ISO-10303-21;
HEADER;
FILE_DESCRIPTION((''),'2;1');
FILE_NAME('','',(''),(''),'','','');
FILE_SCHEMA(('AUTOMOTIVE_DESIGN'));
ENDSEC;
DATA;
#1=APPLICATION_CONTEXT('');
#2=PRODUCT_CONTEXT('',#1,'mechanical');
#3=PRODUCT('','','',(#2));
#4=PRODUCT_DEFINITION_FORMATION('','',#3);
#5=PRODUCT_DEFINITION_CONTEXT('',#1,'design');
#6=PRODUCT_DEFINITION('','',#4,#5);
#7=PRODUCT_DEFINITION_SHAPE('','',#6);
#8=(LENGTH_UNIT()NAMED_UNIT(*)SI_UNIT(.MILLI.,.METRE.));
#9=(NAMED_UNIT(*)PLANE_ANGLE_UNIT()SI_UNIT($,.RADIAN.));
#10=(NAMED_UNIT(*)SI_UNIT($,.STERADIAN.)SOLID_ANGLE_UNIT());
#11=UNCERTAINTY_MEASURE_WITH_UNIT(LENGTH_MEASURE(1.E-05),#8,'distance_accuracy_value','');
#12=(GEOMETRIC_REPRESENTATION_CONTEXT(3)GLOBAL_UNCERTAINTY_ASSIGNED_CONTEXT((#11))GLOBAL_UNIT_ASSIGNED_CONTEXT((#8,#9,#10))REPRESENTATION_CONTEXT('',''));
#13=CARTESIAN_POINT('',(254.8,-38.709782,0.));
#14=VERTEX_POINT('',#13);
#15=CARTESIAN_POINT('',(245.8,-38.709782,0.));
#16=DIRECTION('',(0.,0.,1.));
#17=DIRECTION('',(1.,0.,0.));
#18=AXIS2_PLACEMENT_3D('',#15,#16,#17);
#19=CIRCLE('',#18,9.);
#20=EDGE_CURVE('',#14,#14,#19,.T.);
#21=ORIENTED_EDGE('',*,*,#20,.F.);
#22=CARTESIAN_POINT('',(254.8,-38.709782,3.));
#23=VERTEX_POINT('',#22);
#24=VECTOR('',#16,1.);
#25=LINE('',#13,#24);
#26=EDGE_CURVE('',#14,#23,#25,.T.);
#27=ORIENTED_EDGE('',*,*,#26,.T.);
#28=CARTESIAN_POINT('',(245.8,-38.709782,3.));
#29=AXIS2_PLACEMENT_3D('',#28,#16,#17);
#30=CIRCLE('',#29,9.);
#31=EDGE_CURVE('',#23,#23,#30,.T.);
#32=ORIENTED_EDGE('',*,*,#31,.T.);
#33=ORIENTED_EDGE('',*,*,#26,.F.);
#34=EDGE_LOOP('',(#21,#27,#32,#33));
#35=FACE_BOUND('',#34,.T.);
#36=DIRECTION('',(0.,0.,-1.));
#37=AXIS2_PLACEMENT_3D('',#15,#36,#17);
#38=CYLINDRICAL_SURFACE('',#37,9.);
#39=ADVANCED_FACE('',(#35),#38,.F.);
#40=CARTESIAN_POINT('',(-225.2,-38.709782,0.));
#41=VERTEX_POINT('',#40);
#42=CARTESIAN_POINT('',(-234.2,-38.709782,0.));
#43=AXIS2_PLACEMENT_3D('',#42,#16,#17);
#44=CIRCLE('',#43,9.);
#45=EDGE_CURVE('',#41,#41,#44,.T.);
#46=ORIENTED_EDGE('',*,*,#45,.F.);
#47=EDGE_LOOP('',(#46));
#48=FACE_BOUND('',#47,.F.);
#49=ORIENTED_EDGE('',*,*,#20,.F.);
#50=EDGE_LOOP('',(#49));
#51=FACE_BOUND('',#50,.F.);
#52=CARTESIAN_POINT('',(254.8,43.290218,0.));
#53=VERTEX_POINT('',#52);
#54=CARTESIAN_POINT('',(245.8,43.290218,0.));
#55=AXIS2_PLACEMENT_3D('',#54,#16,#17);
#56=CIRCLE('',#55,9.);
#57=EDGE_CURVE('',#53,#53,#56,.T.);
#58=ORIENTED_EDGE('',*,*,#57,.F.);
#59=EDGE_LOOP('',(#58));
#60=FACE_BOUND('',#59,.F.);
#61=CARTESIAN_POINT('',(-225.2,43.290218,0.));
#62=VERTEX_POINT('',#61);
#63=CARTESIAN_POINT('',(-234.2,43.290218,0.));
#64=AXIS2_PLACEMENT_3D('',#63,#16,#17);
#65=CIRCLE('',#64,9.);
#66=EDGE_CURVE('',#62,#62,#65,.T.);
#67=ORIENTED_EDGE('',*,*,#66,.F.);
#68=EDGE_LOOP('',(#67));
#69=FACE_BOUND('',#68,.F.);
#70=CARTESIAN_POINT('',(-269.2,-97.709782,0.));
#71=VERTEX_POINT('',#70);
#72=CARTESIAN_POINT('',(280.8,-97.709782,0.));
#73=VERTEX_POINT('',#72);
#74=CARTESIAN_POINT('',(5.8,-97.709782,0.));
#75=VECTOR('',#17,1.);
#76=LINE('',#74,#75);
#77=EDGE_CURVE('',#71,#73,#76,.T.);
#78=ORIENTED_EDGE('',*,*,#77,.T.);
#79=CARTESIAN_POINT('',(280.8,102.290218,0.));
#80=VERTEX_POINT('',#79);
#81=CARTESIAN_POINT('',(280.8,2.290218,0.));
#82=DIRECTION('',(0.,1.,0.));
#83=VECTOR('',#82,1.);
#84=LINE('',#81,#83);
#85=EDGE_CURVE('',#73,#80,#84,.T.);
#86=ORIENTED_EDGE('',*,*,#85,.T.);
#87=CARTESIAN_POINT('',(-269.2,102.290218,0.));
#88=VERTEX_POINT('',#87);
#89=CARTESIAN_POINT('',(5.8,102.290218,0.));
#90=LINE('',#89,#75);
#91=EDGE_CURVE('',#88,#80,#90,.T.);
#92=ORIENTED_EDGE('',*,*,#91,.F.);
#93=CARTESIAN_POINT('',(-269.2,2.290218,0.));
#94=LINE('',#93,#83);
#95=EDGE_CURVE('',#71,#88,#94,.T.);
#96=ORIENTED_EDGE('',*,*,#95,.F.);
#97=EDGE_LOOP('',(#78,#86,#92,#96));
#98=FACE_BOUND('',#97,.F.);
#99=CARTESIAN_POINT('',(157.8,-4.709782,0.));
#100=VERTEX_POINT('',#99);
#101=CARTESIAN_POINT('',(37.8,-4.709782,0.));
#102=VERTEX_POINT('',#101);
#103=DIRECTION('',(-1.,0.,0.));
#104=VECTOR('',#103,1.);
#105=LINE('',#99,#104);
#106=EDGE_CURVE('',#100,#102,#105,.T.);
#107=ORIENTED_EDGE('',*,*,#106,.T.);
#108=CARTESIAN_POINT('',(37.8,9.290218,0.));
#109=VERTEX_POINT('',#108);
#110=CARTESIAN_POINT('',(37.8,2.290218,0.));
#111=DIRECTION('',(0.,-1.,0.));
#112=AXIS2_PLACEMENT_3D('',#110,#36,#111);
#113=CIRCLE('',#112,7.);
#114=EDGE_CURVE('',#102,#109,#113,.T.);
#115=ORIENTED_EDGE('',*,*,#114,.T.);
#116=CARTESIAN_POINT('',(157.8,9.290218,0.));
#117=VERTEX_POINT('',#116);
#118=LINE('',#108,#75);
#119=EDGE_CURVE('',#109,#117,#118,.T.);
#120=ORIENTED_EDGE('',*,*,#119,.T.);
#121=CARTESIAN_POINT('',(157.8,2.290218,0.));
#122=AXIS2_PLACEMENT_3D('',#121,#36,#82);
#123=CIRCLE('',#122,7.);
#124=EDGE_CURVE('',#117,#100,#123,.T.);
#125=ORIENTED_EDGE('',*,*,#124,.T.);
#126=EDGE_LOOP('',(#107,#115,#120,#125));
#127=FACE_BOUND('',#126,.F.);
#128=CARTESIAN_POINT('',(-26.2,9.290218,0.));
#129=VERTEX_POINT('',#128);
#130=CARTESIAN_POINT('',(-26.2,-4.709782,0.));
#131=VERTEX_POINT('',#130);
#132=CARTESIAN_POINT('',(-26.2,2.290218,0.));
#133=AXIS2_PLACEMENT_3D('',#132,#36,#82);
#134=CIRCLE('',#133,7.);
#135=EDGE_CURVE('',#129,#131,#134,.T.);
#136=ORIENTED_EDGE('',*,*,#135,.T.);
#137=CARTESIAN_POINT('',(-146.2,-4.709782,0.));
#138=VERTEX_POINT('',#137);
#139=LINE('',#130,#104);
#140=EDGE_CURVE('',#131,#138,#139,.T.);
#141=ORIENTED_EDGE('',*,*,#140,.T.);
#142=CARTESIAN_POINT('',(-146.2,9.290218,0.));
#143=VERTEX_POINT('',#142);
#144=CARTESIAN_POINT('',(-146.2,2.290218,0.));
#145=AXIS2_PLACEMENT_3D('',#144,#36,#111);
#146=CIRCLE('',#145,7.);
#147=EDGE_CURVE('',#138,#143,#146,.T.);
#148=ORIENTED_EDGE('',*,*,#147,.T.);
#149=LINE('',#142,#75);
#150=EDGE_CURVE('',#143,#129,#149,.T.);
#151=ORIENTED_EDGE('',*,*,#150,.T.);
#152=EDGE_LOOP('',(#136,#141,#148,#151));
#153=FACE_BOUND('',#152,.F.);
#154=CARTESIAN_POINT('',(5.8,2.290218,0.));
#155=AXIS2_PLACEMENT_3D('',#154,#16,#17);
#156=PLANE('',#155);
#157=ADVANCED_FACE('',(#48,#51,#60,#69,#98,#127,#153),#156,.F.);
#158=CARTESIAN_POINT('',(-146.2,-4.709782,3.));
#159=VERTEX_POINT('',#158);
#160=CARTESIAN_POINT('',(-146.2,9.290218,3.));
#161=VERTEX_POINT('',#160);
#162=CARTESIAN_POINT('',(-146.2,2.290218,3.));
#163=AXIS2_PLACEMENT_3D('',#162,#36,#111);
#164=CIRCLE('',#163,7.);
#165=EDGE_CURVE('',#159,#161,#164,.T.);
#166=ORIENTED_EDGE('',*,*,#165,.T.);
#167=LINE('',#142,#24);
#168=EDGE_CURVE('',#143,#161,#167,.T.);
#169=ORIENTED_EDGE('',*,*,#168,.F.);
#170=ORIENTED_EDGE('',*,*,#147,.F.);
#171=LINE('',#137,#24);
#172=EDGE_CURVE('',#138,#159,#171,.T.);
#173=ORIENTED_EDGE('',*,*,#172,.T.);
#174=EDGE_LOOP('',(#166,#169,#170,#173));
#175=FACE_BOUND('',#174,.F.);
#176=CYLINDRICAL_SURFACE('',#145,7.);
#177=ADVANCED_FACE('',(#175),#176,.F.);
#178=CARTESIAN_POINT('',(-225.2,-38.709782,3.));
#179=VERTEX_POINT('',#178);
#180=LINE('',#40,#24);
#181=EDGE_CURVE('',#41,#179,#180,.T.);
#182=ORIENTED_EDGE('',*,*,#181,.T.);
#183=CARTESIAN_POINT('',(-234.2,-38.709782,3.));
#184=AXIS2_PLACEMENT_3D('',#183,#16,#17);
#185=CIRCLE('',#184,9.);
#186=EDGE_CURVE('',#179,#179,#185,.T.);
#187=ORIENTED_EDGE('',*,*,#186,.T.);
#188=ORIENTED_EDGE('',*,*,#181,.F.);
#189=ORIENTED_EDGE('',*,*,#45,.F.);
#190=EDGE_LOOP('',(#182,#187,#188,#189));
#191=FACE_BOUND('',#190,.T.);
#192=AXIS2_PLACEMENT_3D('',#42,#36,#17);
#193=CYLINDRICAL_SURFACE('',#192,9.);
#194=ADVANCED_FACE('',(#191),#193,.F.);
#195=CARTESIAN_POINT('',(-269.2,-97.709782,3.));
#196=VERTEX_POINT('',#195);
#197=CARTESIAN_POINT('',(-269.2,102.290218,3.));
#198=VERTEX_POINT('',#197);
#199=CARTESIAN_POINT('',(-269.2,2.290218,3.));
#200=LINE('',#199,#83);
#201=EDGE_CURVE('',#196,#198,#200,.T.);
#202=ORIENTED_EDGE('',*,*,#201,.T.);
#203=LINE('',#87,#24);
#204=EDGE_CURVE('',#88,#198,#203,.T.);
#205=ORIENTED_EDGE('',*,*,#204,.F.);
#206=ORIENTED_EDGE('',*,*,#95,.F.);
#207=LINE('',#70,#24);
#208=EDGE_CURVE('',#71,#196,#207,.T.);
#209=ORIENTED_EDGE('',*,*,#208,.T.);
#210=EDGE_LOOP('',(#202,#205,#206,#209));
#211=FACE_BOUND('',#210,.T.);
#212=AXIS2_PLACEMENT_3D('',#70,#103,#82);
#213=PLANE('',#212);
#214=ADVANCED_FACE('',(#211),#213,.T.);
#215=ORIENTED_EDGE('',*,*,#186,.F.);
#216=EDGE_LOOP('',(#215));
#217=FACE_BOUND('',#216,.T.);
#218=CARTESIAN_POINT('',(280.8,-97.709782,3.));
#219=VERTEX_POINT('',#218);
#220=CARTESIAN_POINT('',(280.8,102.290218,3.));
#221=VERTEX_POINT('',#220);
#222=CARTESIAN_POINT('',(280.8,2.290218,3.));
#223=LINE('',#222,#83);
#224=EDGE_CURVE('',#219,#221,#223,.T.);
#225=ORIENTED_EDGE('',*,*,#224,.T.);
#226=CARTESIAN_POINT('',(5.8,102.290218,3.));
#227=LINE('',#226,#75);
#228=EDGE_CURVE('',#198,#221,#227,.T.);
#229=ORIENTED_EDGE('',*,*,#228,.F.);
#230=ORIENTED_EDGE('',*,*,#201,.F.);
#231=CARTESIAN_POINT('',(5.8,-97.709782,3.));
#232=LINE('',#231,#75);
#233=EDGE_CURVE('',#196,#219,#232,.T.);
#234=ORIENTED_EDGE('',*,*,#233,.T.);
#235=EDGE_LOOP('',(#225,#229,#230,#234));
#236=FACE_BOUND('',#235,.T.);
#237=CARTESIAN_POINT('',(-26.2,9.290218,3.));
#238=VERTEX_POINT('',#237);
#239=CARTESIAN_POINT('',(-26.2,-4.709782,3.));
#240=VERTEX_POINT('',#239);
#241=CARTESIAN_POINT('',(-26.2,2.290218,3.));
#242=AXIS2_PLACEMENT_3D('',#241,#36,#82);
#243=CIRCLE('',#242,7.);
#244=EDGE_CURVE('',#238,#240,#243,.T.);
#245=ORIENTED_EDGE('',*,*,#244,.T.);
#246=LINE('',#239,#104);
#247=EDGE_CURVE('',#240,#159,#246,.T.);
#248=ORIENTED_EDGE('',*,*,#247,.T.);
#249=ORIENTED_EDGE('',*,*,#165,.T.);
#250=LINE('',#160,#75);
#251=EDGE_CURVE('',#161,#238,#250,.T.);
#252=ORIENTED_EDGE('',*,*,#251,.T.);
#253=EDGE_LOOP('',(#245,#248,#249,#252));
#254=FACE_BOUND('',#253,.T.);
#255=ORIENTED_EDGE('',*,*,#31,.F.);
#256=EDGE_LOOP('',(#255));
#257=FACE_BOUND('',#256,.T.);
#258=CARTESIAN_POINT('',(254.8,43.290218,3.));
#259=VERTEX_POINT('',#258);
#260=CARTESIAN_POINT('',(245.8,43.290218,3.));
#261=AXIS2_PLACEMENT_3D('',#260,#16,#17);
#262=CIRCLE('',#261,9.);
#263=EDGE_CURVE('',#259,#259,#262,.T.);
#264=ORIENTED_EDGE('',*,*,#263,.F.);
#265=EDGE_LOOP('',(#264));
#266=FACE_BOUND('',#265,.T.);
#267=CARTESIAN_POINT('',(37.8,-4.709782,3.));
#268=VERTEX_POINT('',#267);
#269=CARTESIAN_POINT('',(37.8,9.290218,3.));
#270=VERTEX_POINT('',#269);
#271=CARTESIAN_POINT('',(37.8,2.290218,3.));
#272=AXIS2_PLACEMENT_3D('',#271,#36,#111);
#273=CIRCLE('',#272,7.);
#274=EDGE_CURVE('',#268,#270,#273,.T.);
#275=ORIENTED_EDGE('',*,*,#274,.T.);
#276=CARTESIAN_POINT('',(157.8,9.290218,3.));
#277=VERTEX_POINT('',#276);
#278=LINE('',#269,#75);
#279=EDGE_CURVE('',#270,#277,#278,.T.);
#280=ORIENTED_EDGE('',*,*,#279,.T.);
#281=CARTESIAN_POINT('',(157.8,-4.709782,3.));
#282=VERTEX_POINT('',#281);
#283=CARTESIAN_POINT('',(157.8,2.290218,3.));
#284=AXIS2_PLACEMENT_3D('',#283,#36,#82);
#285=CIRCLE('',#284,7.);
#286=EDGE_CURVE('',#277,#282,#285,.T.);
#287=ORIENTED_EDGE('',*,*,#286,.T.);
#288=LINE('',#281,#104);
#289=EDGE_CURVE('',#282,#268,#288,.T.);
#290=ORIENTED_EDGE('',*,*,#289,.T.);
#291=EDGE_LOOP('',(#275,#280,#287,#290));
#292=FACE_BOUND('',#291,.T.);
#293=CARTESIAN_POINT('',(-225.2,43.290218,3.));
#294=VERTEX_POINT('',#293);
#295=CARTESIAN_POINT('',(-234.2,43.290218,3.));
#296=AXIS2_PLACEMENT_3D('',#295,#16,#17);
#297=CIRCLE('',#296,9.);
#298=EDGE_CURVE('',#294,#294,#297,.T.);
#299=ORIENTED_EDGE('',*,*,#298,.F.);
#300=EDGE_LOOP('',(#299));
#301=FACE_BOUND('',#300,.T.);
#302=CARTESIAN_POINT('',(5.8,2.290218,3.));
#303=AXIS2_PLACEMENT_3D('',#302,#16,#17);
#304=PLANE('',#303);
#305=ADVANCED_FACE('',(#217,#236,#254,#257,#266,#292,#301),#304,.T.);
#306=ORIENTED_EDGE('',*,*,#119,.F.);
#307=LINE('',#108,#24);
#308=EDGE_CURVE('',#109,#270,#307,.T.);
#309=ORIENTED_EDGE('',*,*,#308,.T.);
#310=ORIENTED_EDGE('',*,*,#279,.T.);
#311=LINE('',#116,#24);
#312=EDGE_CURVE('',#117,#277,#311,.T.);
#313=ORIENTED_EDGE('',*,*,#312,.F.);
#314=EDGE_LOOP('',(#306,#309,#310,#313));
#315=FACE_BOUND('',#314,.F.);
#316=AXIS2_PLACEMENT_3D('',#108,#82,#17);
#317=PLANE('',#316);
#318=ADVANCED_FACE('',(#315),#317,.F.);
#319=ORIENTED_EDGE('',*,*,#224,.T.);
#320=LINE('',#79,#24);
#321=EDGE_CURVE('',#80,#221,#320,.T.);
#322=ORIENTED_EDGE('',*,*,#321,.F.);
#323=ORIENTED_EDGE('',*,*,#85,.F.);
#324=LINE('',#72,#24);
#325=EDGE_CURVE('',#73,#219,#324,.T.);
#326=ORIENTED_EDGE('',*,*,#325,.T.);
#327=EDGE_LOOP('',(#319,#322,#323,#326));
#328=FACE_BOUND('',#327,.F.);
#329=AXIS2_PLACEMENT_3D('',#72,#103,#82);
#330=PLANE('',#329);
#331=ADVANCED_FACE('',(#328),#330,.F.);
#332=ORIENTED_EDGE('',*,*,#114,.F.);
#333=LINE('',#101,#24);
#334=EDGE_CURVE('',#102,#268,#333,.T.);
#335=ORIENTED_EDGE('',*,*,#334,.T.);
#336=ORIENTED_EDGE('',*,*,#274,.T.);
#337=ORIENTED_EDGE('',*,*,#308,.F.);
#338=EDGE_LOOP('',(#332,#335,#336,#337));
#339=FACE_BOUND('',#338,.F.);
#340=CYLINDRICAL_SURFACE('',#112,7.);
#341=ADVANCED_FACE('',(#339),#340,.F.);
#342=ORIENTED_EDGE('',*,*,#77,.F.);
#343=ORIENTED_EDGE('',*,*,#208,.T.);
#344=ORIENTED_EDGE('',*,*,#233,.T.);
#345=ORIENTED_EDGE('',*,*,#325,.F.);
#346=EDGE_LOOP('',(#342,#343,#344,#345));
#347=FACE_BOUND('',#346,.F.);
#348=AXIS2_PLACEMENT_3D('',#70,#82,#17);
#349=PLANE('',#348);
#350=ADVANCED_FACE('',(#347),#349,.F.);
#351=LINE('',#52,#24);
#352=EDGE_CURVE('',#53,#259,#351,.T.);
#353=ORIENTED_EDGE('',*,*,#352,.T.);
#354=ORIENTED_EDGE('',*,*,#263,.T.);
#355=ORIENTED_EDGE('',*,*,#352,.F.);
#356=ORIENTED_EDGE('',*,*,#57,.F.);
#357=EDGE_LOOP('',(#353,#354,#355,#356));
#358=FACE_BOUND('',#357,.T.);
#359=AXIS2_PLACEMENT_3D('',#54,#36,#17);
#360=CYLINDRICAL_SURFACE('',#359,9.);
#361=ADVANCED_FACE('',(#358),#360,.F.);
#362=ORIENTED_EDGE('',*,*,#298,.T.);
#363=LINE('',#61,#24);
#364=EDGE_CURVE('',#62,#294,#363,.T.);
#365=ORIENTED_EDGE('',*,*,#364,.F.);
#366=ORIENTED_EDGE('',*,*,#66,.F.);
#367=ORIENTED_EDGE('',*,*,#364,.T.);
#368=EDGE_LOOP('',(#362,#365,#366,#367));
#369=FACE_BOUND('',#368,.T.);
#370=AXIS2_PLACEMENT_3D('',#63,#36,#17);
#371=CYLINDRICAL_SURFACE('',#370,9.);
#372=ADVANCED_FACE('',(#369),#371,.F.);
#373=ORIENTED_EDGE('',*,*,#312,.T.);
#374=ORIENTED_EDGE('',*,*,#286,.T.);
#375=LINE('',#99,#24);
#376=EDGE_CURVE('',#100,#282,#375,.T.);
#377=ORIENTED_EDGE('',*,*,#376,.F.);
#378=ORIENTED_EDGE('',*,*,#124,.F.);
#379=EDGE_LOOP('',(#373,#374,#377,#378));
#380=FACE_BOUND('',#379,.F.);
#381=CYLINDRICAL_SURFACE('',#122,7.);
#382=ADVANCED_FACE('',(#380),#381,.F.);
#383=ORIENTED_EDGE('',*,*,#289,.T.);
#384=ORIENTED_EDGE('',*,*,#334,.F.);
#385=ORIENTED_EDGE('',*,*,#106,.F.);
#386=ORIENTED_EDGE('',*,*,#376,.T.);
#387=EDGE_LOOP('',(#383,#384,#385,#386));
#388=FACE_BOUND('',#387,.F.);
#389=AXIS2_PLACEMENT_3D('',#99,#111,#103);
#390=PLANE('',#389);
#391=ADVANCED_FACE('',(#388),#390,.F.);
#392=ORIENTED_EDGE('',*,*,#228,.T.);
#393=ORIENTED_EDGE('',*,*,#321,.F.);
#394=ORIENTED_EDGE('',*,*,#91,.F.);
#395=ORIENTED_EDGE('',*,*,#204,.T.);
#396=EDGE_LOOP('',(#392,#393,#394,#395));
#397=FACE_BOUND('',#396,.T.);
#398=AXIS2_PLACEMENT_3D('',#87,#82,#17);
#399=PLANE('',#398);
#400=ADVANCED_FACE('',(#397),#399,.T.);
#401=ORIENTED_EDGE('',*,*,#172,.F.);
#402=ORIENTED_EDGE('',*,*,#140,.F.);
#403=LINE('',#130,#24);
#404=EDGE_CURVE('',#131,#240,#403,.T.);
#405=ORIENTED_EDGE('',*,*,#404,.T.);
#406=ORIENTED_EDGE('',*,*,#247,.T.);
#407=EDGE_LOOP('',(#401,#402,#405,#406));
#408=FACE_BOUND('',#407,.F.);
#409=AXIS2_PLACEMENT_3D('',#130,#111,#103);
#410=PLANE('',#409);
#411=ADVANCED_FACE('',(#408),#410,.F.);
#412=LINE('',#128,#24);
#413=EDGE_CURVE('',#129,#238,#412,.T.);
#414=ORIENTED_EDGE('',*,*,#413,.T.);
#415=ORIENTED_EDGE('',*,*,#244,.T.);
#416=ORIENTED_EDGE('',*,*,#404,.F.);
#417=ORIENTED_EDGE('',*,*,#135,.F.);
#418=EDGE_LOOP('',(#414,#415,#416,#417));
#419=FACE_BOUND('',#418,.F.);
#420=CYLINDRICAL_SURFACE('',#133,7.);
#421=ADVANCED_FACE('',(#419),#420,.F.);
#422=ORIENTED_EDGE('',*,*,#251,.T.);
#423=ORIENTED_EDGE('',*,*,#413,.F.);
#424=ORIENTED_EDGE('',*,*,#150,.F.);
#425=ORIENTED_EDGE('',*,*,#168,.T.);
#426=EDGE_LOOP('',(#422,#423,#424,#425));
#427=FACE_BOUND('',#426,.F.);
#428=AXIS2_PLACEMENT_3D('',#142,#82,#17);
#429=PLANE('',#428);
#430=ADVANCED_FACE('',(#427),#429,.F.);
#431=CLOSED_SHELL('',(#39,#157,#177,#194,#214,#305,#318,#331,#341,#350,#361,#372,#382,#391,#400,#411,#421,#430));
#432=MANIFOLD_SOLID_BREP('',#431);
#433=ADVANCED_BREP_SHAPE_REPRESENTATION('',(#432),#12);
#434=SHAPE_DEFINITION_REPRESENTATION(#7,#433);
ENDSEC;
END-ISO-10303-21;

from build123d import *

# Parameters (mm, degrees)
F0_W     = 550
F0_H     = 200
F0_R     = 9
F1_DEPTH = 3


with BuildPart() as f1:
    # F0 (on Top) → F1 (new body)
    with BuildSketch(Plane.XY):
        with Locations((5.8, 2.290218)):
            Rectangle(F0_W, F0_H)
        with Locations((-234.2, -38.709782)):
            Circle(F0_R, mode=Mode.SUBTRACT)
        with Locations((245.8, -38.709782)):
            Circle(F0_R, mode=Mode.SUBTRACT)
        with Locations((-234.2, 43.290218)):
            Circle(F0_R, mode=Mode.SUBTRACT)
        with BuildLine():
            Line((-146.2, 9.290218), (-26.2, 9.290218))
            ThreePointArc((-26.2, 9.290218), (-19.2, 2.290218), (-26.2, -4.709782))
            Line((-26.2, -4.709782), (-146.2, -4.709782))
            ThreePointArc((-146.2, -4.709782), (-153.2, 2.290218), (-146.2, 9.290218))
        make_face(mode=Mode.SUBTRACT)
        with BuildLine():
            ThreePointArc((37.8, -4.709782), (30.8, 2.290218), (37.8, 9.290218))
            Line((37.8, 9.290218), (157.8, 9.290218))
            ThreePointArc((157.8, 9.290218), (164.8, 2.290218), (157.8, -4.709782))
            Line((157.8, -4.709782), (37.8, -4.709782))
        make_face(mode=Mode.SUBTRACT)
        with Locations((245.8, 43.290218)):
            Circle(F0_R, mode=Mode.SUBTRACT)
    extrude(amount=F1_DEPTH)


solid = f1.part
